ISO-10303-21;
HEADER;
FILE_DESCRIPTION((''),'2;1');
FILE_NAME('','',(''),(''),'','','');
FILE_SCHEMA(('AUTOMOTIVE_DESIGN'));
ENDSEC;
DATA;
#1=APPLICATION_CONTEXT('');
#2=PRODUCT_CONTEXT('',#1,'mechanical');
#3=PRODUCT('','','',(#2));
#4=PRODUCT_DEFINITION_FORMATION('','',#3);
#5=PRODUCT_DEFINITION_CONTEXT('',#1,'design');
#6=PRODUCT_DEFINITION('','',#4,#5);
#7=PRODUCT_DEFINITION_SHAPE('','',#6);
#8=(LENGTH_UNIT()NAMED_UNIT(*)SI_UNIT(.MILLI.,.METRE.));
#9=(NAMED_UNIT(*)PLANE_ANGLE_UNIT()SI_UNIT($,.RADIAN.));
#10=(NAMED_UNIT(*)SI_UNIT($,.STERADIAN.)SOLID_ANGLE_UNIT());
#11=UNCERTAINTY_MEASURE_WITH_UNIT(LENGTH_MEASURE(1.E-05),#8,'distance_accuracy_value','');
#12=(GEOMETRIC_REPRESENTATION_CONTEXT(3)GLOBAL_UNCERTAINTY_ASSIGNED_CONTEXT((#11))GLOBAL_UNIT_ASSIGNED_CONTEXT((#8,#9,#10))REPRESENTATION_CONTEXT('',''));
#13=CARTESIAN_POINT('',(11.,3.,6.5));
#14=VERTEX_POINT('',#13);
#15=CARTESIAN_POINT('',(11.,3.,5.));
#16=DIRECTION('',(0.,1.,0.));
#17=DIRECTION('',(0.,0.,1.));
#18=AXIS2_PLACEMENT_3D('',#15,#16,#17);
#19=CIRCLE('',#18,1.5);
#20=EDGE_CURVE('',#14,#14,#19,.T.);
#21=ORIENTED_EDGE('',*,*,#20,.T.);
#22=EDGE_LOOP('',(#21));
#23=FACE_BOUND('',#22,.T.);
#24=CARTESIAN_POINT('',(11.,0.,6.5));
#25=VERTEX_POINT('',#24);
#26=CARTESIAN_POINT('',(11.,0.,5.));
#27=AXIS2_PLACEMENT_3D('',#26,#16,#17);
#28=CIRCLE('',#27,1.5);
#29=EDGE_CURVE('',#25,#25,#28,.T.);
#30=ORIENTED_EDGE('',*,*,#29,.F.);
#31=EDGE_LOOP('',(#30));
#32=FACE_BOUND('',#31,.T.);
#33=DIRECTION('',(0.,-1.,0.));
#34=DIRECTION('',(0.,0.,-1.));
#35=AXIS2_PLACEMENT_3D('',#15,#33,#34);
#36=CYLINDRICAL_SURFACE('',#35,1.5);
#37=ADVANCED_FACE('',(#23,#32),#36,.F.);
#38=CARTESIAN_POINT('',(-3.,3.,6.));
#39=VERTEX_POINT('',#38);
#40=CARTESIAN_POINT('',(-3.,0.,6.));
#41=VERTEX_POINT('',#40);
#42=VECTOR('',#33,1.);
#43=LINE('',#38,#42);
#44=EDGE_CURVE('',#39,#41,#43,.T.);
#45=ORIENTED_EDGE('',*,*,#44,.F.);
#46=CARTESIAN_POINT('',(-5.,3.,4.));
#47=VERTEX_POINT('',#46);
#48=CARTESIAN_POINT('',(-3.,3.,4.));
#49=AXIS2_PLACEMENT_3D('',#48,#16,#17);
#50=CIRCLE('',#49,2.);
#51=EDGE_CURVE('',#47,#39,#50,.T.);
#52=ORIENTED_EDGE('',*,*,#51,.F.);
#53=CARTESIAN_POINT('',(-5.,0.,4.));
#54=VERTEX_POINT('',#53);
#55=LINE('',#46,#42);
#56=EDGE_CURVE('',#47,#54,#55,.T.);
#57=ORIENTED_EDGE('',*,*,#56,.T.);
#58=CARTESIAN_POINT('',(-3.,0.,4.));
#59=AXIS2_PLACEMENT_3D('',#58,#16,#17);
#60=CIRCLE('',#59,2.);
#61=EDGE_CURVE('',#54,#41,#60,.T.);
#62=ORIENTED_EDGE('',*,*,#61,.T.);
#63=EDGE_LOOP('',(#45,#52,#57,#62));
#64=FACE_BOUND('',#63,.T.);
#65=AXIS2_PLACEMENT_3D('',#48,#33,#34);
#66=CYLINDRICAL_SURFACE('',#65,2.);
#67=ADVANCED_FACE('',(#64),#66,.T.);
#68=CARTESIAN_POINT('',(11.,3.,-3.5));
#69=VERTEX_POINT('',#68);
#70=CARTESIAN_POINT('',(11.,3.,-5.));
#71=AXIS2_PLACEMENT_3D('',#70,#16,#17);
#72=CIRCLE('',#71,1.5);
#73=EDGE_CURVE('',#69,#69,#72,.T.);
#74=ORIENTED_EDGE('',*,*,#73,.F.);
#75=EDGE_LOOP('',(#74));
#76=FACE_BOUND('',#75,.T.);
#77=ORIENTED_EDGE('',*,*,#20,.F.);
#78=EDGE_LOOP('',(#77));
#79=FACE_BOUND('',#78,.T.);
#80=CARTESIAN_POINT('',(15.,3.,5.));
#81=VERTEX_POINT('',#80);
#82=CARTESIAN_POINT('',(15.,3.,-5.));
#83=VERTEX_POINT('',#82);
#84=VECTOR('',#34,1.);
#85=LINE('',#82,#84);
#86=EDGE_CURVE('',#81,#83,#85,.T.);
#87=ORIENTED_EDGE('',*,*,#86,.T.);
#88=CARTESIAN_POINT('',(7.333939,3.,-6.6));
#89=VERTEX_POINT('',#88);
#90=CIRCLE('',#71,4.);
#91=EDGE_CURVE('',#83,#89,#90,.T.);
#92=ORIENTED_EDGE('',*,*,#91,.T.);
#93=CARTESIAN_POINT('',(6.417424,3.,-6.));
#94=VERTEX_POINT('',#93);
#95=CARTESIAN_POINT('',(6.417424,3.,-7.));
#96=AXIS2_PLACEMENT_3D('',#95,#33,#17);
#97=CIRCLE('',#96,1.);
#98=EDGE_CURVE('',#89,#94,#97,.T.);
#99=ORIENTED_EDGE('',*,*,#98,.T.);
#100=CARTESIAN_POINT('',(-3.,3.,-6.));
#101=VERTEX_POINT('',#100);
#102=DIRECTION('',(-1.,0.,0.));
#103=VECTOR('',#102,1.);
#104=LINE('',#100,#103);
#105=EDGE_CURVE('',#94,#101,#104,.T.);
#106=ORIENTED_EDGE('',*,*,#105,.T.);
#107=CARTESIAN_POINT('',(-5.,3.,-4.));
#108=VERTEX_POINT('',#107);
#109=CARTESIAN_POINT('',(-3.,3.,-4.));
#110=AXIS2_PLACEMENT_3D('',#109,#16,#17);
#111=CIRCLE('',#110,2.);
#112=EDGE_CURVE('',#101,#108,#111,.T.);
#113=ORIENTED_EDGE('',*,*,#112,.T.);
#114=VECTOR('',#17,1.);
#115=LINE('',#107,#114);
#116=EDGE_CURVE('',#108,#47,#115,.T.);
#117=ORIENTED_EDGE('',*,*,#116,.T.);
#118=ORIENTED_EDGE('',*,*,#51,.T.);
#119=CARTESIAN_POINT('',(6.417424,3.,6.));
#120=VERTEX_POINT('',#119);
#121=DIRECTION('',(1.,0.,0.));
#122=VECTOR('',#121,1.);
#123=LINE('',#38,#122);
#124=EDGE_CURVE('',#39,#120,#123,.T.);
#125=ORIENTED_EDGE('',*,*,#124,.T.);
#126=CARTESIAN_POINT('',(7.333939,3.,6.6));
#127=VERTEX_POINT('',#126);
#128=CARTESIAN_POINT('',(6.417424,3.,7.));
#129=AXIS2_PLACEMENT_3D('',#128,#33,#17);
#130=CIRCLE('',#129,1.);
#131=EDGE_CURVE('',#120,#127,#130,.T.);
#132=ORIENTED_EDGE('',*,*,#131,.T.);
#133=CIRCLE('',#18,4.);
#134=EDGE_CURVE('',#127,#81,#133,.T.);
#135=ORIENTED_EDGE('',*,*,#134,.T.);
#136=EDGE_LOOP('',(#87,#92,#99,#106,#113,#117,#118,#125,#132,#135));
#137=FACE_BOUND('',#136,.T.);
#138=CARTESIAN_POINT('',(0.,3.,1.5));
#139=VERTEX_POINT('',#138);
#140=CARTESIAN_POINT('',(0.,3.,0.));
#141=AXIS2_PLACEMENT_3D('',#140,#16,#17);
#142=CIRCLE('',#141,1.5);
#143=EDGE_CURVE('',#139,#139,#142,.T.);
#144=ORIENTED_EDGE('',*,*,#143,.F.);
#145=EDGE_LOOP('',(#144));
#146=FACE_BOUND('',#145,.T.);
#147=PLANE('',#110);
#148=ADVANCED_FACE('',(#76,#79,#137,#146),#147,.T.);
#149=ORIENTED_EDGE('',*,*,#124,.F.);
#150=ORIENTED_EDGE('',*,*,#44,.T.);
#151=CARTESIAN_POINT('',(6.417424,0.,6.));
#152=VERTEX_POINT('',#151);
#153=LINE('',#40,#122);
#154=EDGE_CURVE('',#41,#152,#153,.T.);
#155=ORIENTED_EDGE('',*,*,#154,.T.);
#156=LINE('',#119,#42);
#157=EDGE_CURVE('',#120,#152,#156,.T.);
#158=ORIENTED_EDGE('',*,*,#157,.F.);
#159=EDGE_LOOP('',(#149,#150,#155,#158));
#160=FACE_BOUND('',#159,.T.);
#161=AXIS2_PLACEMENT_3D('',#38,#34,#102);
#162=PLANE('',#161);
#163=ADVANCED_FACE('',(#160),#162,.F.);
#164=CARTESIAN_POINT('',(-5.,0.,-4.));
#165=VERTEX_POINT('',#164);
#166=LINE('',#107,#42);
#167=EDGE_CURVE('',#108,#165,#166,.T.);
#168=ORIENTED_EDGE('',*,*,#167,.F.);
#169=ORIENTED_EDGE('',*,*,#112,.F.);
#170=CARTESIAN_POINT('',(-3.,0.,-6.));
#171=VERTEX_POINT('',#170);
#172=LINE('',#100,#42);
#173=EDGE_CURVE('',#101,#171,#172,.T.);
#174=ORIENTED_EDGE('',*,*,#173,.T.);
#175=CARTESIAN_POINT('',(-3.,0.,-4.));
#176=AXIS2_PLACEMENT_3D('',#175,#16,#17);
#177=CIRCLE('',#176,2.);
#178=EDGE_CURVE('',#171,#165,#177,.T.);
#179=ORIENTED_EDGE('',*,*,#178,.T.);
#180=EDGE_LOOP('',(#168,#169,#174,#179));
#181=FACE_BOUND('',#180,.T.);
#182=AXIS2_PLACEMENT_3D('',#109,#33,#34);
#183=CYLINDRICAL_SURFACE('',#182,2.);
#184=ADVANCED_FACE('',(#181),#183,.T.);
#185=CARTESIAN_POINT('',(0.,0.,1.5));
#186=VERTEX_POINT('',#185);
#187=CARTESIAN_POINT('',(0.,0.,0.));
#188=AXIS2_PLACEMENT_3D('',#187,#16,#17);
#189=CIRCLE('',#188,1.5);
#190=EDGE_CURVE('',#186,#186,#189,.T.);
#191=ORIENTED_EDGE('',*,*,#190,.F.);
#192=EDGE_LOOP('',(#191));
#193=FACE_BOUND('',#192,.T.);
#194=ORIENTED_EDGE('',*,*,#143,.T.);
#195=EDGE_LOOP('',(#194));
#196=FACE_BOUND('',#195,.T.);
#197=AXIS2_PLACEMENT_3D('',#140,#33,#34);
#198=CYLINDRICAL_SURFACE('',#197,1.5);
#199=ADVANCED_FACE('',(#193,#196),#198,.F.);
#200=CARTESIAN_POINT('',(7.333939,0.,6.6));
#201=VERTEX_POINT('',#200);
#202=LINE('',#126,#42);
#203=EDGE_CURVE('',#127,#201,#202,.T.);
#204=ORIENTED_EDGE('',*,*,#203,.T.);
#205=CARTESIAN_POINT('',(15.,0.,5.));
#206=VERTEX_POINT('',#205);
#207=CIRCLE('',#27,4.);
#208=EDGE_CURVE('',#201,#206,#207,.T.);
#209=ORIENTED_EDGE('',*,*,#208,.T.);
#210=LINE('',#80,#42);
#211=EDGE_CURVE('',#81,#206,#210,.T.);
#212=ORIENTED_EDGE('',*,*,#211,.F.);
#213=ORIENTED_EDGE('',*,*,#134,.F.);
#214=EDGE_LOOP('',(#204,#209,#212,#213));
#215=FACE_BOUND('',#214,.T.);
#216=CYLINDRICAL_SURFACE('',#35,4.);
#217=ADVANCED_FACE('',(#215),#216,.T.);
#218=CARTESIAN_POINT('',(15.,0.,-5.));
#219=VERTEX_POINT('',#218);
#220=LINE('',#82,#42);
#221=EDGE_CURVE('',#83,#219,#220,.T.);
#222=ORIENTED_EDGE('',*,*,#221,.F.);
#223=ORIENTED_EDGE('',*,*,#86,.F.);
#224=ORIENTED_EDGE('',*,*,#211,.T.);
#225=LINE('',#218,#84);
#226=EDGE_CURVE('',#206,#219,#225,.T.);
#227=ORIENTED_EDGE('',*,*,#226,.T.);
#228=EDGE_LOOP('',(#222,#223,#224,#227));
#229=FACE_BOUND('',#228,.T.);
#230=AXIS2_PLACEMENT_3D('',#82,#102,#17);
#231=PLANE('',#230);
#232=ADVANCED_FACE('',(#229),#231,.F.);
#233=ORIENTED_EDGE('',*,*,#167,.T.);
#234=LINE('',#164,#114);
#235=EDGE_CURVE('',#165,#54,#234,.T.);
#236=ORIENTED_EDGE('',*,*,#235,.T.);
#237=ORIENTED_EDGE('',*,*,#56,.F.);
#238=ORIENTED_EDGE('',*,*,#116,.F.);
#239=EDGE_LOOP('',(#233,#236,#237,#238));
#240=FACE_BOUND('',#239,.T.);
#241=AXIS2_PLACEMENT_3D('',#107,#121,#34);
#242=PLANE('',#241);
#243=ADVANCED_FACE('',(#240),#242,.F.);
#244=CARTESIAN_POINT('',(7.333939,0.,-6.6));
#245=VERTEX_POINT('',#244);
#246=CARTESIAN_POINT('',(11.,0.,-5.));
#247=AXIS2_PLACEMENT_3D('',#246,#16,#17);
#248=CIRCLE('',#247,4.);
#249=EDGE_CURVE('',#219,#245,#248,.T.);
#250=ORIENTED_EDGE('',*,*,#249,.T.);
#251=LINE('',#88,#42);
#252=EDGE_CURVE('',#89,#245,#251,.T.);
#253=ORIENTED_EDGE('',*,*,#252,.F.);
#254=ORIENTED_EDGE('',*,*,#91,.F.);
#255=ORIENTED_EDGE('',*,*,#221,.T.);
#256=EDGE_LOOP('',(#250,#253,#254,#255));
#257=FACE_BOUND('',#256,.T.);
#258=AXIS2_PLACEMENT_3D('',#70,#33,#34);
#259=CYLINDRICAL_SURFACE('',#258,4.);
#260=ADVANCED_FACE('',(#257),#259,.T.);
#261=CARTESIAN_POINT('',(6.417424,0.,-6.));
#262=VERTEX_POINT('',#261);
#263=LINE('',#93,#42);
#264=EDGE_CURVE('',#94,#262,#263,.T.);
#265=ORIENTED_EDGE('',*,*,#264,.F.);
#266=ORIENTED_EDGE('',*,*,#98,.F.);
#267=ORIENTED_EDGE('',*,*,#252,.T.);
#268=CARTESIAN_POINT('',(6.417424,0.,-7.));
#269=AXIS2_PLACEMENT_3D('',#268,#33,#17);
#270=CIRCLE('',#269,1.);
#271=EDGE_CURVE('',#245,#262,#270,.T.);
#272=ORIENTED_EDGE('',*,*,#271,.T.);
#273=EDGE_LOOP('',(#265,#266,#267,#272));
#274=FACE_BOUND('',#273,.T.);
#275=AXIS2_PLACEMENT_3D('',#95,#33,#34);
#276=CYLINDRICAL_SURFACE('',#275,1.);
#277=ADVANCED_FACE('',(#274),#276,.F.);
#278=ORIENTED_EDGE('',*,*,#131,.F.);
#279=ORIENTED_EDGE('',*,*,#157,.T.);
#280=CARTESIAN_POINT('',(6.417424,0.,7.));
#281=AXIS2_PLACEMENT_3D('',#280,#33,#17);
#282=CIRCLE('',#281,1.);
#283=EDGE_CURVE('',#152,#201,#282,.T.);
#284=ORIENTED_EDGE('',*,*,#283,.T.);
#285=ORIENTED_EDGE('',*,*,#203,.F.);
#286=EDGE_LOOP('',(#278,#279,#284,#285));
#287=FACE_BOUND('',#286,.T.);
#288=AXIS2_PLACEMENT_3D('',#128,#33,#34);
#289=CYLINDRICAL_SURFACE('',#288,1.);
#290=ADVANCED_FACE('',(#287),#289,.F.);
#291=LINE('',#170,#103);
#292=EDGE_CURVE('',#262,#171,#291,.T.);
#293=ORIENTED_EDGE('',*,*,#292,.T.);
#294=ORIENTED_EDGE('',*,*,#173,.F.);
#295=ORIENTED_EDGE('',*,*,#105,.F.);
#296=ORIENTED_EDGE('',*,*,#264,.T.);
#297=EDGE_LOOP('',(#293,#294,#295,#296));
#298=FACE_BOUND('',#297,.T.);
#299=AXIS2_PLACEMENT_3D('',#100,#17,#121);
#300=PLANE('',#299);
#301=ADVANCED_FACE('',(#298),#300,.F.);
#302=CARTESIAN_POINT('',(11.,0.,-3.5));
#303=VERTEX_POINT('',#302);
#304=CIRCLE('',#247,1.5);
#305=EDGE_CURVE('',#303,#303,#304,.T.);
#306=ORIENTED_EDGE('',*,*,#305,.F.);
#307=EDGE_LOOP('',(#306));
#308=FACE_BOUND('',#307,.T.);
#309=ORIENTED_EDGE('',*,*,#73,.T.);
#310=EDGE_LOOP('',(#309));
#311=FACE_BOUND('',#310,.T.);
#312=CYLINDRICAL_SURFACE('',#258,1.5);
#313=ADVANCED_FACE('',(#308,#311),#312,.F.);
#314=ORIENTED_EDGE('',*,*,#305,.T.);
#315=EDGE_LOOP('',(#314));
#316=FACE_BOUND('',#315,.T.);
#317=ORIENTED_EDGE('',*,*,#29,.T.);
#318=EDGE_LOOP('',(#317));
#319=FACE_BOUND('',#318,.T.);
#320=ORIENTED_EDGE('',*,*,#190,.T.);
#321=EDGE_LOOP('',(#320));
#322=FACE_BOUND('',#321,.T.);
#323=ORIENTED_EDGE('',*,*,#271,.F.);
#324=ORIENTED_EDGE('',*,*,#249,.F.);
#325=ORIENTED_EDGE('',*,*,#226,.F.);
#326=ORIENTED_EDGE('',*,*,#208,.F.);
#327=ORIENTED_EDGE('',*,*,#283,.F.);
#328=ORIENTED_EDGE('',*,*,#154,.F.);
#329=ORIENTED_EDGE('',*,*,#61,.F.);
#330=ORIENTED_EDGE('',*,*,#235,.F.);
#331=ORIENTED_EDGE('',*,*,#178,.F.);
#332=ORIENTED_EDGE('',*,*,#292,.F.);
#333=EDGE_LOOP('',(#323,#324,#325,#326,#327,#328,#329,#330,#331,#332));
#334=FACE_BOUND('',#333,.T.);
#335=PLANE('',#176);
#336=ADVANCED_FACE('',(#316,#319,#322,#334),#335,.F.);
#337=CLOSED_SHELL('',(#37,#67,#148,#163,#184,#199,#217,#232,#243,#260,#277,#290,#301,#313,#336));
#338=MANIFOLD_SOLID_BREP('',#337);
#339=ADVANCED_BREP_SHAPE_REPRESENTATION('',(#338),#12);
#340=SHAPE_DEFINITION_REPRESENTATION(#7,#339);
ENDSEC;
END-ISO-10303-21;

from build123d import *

# Parameters (mm, degrees)
SKETCH1_R           = 1.5
BOSS_EXTRUDE1_DEPTH = 3


with BuildPart() as part:
    # Sketch1 → Boss-Extrude1 (new body)
    with BuildSketch(Plane(origin=(0, 0, 0), x_dir=(1, 0, 0), z_dir=(0, 1, 0))):
        with BuildLine():
            Line((15, 5), (15, -5))
            ThreePointArc((15, -5), (11.817238575, -8.915625252), (7.333939444, -6.6))
            ThreePointArc((7.333939444, -6.6), (6.965146863, -6.163339973), (6.417424305, -6))
            Line((6.417424305, -6), (-3, -6))
            ThreePointArc((-3, -6), (-4.414213562, -5.414213562), (-5, -4))
            Line((-5, -4), (-5, 4))
            ThreePointArc((-5, 4), (-4.414213562, 5.414213562), (-3, 6))
            Line((-3, 6), (6.417424305, 6))
            ThreePointArc((6.417424305, 6), (6.965146863, 6.163339973), (7.333939444, 6.6))
            ThreePointArc((7.333939444, 6.6), (11.817238575, 8.915625252), (15, 5))
        make_face()
        Circle(SKETCH1_R, mode=Mode.SUBTRACT)
        with Locations((11, 5)):
            Circle(SKETCH1_R, mode=Mode.SUBTRACT)
        with Locations((11, -5)):
            Circle(SKETCH1_R, mode=Mode.SUBTRACT)
    extrude(amount=BOSS_EXTRUDE1_DEPTH)


solid = part.part
